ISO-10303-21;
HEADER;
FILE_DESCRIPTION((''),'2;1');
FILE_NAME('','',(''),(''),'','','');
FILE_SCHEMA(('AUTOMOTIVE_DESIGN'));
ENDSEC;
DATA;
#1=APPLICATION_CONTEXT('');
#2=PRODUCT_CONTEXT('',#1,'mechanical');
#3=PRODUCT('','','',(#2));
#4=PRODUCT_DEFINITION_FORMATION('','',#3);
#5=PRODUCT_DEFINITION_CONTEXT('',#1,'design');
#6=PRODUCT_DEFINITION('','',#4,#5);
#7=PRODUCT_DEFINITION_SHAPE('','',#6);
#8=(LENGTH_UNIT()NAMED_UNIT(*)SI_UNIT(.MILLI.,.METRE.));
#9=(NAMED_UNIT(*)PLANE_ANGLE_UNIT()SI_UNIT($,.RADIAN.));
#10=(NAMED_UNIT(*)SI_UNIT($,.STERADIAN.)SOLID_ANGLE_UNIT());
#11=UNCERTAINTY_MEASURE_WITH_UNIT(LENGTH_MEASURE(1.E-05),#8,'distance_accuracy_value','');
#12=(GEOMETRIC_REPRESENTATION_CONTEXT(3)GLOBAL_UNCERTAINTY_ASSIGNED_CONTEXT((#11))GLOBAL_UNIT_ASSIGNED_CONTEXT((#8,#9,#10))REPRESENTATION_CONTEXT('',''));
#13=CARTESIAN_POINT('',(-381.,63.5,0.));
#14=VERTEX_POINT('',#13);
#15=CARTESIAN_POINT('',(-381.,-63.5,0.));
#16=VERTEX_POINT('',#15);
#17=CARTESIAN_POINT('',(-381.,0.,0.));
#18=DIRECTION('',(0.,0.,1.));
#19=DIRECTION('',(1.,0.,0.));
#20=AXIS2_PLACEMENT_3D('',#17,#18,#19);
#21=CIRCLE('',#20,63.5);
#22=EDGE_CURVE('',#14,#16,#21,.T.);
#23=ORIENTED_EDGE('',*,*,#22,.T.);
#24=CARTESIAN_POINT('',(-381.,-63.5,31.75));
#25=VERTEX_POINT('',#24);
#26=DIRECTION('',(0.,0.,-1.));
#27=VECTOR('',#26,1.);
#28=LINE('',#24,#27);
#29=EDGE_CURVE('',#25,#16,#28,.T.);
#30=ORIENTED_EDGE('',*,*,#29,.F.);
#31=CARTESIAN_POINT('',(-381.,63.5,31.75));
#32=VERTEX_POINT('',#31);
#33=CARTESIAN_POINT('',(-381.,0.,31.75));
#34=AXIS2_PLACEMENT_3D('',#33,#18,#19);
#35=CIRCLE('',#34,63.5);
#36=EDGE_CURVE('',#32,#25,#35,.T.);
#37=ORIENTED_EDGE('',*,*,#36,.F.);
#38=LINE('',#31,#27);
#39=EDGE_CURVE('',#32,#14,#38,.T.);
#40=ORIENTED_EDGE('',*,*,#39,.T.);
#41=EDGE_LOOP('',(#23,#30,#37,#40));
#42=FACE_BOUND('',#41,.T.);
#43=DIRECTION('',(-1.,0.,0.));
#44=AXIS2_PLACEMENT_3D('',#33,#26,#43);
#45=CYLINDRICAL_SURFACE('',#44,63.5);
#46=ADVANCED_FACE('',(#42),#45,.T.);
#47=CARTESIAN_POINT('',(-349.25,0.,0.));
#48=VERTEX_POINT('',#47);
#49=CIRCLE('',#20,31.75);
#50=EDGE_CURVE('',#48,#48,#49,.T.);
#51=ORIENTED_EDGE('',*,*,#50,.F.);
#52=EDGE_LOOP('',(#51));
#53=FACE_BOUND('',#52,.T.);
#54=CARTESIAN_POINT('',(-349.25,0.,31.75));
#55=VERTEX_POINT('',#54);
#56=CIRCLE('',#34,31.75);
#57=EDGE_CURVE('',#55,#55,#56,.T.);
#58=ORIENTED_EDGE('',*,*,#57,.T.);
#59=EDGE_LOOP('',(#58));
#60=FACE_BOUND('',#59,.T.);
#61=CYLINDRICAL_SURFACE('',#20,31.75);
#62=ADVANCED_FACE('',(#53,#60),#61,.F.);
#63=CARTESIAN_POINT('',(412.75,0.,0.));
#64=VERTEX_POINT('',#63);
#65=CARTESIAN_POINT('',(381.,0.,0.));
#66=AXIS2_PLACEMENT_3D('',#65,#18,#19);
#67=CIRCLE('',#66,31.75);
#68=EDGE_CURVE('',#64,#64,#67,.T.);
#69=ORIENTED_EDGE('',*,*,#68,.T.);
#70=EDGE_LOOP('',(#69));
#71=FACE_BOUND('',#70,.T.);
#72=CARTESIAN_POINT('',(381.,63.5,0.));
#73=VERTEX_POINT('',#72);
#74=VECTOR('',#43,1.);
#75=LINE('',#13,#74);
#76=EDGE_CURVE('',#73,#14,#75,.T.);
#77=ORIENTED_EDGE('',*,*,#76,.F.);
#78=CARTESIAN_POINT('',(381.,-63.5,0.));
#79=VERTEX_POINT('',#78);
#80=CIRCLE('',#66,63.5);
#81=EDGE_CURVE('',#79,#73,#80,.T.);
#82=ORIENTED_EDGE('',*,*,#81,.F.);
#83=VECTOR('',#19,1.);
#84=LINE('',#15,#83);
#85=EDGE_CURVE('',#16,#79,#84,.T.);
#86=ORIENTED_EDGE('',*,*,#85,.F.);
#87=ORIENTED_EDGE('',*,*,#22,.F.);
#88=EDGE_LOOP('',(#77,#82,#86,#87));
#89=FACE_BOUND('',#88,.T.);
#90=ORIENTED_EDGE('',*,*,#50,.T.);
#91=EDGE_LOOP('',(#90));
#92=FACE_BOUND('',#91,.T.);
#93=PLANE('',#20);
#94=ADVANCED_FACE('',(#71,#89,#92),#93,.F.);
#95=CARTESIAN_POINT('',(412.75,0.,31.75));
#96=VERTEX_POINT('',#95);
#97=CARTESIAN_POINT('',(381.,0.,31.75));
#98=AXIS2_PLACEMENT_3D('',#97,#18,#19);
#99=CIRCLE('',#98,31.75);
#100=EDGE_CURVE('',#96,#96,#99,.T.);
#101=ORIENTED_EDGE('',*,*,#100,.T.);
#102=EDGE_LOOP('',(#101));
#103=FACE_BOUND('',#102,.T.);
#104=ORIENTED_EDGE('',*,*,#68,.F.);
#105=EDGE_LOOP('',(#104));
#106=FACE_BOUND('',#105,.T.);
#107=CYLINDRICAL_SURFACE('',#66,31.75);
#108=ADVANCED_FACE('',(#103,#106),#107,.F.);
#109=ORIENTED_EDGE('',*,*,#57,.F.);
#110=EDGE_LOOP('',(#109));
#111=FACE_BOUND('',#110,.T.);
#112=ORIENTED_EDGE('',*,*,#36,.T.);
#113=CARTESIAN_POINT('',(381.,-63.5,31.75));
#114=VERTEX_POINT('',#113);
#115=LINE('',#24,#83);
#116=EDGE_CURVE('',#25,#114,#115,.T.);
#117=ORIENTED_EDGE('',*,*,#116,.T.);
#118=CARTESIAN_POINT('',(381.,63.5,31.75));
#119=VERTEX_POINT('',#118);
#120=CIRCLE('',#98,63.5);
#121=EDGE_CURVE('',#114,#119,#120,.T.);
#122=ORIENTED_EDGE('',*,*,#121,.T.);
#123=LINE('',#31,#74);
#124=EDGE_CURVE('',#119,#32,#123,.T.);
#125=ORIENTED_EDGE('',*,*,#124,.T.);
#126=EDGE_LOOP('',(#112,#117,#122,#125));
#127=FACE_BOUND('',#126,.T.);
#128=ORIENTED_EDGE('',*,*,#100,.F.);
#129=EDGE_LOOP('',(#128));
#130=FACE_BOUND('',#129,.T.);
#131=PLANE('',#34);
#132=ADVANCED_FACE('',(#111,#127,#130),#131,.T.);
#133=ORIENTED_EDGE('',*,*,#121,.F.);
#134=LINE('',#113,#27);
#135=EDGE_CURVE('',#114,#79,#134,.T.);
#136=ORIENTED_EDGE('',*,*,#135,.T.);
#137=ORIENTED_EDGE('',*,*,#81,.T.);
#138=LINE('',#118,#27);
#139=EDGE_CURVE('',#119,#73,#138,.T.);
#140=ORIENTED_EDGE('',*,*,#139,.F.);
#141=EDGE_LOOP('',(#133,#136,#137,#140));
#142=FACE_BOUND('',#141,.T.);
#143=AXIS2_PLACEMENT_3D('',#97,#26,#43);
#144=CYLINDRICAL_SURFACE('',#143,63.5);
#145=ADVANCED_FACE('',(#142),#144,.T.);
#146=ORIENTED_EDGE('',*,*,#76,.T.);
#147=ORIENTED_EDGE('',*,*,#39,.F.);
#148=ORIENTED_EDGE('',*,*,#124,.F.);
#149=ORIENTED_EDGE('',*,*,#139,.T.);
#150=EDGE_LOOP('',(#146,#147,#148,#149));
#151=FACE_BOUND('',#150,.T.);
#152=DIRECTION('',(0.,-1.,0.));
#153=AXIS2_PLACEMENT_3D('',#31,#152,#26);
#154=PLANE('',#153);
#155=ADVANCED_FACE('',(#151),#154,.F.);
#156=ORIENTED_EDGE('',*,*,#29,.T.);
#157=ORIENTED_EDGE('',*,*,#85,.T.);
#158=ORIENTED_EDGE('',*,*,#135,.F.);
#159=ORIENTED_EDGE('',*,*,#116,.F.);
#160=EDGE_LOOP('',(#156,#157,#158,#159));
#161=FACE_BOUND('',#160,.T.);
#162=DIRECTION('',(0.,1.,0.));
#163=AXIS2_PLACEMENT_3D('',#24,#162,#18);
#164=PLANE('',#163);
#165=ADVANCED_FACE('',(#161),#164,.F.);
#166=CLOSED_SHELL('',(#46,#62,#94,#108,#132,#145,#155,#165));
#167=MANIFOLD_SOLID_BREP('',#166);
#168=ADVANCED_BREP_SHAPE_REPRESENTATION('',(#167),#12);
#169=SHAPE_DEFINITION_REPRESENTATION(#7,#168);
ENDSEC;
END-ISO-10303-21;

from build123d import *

# Parameters (mm, degrees)
BOSS_EXTRUDE1_DEPTH = 31.75
SKETCH2_R           = 31.75
CUT_EXTRUDE1_DEPTH  = 451.133938401


with BuildPart() as part:
    # Sketch1 → Boss-Extrude1 (new body)
    with BuildSketch(Plane.XY):
        with BuildLine():
            Line((-381, 63.5), (381, 63.5))
            ThreePointArc((381, 63.5), (444.5, 0), (381, -63.5))
            Line((381, -63.5), (-381, -63.5))
            ThreePointArc((-381, -63.5), (-444.5, 0), (-381, 63.5))
        make_face()
    extrude(amount=BOSS_EXTRUDE1_DEPTH)

    # Sketch2 → Cut-Extrude1 (cut, through all)
    with BuildSketch(Plane.XY.offset(31.75)):
        with Locations((-381, 0)):
            Circle(SKETCH2_R)
        with Locations((381, 0)):
            Circle(SKETCH2_R)
    extrude(amount=-CUT_EXTRUDE1_DEPTH, mode=Mode.SUBTRACT)


solid = part.part
